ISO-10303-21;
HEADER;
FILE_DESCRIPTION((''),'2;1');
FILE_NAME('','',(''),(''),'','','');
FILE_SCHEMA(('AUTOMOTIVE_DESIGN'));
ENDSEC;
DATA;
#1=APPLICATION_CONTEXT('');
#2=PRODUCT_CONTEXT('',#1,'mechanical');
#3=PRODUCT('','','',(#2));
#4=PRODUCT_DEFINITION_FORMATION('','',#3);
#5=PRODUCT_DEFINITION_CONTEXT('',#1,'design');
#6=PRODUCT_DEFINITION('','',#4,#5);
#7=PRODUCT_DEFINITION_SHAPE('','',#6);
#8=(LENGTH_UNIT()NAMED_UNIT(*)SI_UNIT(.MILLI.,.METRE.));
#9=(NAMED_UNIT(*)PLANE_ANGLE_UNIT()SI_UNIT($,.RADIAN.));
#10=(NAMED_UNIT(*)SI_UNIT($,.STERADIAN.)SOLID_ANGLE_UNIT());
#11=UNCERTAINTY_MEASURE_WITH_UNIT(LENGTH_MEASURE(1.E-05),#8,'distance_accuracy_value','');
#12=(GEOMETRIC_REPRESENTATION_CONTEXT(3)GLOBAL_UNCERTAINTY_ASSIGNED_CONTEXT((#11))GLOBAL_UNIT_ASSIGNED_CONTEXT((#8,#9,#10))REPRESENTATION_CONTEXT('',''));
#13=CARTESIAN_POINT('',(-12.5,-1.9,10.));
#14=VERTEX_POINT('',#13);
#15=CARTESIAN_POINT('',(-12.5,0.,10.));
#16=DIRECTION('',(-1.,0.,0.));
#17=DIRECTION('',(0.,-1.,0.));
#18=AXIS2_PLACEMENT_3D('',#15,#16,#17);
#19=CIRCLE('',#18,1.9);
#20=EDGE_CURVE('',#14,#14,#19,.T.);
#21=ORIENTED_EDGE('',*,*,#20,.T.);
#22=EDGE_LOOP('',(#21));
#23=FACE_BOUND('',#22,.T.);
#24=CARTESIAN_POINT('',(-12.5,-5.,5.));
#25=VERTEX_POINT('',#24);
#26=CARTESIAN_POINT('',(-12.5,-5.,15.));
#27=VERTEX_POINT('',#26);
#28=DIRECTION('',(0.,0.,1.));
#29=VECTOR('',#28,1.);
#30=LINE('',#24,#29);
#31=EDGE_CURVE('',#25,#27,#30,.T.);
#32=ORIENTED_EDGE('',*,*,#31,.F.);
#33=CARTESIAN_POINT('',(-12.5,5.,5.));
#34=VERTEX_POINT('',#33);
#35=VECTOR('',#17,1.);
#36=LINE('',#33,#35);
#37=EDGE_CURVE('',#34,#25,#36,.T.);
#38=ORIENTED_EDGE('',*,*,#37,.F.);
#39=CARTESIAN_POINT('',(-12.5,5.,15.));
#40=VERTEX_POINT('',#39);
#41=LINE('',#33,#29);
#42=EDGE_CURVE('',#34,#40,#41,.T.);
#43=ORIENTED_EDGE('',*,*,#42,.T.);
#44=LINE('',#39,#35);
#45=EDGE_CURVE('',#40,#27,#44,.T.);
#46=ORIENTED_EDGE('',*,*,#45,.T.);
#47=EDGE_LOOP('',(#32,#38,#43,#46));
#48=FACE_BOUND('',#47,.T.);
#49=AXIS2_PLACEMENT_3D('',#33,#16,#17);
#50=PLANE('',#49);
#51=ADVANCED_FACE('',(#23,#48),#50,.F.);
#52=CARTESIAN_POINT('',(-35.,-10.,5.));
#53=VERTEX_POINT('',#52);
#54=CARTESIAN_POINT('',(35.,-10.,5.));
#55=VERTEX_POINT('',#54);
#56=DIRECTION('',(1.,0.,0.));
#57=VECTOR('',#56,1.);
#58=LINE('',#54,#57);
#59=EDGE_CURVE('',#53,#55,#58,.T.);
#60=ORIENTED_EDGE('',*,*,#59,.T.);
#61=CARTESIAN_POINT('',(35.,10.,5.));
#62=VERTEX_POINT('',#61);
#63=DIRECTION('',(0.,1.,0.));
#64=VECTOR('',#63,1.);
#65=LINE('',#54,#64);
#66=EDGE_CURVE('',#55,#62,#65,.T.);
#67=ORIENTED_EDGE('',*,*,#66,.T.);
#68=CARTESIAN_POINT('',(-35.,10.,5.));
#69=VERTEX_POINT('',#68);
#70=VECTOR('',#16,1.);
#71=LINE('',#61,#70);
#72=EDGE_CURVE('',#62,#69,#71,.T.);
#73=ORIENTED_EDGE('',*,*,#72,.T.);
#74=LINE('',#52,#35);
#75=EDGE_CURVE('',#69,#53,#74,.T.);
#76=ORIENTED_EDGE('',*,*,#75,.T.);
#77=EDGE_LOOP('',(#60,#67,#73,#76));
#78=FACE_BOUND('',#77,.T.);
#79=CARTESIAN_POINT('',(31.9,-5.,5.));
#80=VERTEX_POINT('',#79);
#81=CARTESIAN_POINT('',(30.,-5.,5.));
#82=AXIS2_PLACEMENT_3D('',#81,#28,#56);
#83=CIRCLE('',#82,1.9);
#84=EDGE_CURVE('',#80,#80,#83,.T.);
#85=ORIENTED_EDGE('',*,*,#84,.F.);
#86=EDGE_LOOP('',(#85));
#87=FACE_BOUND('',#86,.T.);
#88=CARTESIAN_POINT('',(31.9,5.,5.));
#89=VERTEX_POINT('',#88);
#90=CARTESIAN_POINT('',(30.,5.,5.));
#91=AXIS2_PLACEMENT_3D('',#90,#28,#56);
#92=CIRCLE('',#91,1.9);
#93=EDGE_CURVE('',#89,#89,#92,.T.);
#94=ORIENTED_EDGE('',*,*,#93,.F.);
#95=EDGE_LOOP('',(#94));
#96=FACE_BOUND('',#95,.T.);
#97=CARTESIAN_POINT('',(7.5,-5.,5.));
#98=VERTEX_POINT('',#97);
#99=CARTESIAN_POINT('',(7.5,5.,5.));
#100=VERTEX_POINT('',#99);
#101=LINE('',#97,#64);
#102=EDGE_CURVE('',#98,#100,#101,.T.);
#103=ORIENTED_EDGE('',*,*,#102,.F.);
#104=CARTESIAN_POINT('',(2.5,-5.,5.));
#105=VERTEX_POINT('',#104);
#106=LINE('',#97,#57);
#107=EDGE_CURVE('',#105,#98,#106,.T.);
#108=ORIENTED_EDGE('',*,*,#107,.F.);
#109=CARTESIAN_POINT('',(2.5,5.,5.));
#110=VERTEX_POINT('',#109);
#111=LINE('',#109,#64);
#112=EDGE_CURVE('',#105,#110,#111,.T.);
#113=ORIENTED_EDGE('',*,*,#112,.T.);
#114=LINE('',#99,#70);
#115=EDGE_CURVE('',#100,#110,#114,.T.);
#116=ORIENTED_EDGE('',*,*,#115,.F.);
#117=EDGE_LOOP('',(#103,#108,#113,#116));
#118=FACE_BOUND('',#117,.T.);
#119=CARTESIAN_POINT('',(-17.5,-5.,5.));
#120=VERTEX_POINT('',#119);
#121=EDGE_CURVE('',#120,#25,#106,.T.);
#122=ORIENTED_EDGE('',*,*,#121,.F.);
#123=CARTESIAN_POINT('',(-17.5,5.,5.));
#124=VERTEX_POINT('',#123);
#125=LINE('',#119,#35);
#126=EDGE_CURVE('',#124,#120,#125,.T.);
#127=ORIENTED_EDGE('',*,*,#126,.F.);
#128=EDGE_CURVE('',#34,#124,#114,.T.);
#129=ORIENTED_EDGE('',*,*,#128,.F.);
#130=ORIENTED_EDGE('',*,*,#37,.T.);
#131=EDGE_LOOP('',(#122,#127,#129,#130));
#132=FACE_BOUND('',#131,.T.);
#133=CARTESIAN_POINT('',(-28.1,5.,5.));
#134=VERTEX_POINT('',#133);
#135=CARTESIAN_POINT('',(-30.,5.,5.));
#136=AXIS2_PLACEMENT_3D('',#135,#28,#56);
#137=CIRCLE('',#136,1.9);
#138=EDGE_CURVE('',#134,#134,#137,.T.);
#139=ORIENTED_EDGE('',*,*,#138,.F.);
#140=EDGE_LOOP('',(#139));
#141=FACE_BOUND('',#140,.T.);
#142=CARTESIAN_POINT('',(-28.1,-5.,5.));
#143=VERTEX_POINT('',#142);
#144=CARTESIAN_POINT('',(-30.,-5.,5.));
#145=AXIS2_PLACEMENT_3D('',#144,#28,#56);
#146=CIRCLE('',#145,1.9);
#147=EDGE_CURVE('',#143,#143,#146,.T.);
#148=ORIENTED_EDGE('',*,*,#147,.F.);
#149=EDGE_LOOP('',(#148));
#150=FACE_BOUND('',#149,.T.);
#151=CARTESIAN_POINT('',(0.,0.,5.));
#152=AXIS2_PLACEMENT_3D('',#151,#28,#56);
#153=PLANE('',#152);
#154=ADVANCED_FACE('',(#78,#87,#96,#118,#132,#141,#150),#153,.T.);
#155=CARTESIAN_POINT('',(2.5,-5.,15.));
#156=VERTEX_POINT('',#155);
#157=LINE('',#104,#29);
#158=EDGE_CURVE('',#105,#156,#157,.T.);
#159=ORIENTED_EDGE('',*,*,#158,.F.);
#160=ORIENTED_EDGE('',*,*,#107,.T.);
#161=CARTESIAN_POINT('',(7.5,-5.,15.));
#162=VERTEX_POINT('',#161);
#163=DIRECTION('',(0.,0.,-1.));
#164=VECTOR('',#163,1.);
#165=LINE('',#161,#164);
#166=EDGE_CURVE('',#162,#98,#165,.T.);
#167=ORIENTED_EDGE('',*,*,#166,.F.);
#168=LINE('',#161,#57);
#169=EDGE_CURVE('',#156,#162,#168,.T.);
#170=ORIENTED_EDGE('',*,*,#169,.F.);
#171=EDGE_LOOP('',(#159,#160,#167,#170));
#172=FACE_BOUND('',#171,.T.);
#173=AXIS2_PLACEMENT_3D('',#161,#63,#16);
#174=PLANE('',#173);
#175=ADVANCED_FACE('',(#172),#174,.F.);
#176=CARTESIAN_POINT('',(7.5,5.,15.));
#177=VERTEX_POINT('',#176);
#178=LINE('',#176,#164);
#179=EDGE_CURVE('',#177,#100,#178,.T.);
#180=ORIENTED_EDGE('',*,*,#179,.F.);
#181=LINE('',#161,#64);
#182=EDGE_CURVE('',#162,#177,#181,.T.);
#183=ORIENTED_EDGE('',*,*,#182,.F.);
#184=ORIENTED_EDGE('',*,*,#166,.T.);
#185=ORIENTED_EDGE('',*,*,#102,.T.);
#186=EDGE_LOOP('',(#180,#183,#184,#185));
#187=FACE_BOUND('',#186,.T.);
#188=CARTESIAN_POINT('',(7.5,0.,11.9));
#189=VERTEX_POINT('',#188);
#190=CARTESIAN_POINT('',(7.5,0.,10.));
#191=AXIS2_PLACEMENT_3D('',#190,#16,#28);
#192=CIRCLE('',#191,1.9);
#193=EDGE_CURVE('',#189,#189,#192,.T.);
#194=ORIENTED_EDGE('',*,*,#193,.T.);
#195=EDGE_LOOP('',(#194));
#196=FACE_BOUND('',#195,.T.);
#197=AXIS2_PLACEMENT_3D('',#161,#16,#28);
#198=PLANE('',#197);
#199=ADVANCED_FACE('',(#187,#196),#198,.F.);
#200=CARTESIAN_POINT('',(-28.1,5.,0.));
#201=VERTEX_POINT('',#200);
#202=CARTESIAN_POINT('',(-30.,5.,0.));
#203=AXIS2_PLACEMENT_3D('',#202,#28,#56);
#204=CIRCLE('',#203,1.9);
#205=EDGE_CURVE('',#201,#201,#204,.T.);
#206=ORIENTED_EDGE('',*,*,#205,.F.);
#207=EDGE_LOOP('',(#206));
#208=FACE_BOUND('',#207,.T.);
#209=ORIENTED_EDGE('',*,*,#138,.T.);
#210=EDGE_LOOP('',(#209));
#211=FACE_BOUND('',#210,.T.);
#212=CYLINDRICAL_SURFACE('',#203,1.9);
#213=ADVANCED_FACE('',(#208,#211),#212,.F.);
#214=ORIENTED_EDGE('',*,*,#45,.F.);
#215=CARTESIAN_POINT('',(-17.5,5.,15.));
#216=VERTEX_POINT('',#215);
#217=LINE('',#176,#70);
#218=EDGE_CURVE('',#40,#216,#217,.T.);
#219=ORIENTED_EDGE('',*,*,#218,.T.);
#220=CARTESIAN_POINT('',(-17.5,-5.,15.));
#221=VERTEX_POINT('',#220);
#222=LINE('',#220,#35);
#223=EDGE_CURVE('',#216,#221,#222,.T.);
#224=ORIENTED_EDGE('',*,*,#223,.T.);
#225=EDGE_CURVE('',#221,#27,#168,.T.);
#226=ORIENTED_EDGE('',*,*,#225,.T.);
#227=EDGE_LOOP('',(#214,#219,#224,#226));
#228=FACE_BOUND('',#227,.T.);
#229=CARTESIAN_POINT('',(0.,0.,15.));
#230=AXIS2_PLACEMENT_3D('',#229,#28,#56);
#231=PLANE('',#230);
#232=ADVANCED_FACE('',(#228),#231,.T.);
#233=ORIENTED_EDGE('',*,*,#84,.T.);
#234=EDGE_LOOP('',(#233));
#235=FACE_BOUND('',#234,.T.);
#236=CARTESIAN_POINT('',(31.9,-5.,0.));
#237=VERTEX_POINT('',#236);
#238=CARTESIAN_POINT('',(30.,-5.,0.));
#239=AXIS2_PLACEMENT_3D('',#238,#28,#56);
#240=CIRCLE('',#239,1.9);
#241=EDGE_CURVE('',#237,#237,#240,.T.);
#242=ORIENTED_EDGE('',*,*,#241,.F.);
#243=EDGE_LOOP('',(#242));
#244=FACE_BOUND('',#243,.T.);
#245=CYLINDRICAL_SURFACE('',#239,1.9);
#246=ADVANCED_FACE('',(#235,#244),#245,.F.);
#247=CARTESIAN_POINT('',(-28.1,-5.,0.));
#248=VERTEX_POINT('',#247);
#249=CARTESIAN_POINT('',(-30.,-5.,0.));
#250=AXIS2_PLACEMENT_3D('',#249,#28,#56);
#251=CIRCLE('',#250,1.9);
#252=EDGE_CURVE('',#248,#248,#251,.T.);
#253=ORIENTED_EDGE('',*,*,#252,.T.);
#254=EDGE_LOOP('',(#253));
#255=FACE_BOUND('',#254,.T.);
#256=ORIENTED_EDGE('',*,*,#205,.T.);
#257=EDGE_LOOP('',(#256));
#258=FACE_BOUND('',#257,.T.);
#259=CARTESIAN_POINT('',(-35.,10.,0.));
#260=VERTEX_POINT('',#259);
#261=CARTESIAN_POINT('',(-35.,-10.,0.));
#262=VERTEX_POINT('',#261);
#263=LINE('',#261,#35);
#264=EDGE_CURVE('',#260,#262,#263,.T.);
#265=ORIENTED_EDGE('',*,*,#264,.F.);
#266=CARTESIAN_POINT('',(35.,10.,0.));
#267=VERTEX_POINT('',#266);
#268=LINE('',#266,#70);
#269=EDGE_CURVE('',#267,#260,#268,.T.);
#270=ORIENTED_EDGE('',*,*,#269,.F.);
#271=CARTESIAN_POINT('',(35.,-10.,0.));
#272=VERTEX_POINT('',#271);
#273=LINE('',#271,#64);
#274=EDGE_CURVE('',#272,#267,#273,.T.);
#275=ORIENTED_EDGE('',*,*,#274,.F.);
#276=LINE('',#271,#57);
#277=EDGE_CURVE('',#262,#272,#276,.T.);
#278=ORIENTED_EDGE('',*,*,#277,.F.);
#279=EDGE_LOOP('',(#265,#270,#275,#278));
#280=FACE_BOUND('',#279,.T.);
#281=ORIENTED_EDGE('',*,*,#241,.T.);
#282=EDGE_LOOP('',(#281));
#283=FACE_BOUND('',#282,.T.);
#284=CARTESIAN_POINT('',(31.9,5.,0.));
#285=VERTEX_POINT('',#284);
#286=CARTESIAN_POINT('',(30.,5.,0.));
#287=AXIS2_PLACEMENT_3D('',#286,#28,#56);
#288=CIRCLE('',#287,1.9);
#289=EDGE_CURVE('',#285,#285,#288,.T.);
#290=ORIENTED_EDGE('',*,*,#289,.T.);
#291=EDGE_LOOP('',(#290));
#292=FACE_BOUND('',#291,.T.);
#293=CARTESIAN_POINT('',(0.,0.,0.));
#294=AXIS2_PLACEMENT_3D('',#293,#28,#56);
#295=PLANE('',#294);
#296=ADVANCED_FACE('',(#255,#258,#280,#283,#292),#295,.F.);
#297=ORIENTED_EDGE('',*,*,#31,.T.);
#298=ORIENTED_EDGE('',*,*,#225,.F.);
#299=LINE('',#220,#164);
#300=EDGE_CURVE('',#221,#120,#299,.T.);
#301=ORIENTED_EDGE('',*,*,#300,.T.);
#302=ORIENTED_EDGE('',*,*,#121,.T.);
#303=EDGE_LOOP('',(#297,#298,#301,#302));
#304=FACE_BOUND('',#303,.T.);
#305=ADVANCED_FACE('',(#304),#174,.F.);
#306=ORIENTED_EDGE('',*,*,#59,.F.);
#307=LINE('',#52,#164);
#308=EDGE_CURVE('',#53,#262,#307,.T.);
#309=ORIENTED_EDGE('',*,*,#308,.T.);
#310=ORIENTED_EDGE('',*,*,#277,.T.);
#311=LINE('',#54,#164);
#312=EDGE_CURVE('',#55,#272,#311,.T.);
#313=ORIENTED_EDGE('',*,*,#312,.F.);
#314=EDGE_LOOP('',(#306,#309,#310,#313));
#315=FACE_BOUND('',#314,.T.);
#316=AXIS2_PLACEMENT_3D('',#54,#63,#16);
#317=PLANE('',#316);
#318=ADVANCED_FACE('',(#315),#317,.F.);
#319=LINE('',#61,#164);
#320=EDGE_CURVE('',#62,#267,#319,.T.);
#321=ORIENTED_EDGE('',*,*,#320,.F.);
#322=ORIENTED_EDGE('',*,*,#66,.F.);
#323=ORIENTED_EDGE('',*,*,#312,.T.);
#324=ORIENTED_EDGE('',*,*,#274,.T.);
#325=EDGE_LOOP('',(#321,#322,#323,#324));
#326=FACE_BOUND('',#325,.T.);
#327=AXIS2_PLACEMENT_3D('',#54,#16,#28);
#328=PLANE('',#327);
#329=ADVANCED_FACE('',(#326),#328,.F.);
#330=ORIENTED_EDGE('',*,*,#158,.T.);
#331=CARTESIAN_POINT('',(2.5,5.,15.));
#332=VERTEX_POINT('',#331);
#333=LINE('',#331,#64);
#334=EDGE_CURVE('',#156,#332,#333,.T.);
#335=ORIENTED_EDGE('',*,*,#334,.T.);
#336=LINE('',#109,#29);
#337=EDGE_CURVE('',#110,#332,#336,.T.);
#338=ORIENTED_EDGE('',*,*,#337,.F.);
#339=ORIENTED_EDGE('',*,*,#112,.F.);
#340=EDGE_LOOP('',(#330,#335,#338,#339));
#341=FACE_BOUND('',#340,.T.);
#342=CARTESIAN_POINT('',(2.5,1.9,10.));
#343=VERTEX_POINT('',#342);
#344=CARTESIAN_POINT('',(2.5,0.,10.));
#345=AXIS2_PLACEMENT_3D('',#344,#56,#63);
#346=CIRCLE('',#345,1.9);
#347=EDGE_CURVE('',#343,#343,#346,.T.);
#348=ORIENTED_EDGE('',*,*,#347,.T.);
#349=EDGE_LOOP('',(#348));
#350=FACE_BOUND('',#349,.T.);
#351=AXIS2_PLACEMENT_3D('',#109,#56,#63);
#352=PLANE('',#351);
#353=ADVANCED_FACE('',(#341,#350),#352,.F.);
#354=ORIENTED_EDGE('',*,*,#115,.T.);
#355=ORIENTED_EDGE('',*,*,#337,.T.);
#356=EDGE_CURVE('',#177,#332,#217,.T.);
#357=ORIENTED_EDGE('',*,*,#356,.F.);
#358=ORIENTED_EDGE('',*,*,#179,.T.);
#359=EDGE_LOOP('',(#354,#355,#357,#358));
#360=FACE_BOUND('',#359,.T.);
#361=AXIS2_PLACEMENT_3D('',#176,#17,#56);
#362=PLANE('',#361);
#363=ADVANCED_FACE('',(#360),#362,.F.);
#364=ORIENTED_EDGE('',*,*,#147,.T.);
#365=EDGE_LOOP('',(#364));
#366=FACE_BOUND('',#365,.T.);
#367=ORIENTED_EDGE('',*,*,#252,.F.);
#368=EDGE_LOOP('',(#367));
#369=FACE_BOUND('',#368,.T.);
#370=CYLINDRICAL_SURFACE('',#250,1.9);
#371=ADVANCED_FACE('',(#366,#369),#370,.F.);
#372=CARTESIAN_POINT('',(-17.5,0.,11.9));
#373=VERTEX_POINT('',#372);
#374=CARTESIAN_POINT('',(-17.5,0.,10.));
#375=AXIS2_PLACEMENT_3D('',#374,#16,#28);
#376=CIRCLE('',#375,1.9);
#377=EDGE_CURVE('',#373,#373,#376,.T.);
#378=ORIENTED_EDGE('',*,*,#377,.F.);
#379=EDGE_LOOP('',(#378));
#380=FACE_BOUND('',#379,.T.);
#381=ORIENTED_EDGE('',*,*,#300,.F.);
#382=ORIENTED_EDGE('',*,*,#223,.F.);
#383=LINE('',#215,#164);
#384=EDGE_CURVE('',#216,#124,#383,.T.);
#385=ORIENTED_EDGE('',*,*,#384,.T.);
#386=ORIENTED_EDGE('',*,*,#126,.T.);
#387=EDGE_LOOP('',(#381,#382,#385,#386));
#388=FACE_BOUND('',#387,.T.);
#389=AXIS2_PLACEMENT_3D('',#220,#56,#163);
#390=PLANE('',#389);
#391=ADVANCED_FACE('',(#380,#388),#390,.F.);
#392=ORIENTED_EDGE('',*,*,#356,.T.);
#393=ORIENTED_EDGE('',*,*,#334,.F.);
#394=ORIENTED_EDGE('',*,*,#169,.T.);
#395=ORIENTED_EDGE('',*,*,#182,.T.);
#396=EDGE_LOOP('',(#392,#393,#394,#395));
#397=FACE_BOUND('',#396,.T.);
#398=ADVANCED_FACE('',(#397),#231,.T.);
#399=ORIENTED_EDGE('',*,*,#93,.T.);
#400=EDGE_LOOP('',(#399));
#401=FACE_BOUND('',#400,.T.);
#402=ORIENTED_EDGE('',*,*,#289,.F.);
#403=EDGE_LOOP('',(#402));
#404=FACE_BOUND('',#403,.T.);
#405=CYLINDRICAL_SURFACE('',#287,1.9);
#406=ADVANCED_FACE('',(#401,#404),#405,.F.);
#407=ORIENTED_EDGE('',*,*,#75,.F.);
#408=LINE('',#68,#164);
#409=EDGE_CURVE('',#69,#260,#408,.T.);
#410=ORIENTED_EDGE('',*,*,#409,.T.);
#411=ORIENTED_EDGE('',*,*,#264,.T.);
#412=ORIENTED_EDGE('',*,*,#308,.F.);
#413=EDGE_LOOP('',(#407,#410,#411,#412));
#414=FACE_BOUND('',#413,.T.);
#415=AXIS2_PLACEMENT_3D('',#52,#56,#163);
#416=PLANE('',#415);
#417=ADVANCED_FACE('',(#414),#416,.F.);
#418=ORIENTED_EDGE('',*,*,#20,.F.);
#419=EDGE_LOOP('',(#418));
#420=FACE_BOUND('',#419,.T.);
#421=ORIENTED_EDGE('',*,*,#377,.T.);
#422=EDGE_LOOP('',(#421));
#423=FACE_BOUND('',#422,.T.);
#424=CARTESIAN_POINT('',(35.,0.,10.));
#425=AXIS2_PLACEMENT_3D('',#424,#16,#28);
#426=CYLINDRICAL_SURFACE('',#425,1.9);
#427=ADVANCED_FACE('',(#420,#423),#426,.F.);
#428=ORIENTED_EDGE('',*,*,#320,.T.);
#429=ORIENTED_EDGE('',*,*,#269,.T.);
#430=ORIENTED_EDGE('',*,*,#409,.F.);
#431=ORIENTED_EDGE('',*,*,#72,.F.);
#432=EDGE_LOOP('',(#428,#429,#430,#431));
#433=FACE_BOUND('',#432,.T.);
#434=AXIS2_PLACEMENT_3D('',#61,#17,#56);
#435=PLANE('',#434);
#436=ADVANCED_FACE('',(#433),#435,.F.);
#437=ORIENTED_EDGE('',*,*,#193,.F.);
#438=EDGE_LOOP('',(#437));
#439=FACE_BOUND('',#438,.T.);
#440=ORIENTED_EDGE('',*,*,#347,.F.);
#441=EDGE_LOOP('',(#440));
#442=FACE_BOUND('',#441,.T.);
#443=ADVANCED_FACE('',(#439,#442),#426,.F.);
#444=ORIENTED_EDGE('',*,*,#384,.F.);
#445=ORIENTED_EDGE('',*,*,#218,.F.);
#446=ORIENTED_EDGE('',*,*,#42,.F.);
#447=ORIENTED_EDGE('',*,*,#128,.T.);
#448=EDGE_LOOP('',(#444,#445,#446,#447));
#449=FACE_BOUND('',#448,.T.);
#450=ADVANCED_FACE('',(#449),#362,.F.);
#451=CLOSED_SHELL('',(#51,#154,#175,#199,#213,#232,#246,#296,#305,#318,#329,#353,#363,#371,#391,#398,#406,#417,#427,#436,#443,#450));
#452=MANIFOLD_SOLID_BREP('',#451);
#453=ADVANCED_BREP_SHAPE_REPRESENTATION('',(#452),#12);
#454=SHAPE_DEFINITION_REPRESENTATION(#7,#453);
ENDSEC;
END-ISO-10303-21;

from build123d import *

# Parameters (mm, degrees)
SKETCH_1_W          = 70
SKETCH_1_H          = 20
EXTRUDE_1_DEPTH     = 5
SKETCH_2_R          = 1.9
CUT_EXTRUDE_1_DEPTH = 5
SKETCH_3_W          = 25
SKETCH_3_H          = 10
EXTRUDE_2_DEPTH     = 10
SKETCH_4_W          = 15
SKETCH_4_H          = 10
CUT_EXTRUDE_2_DEPTH = 10
SKETCH_5_R          = 1.9
CUT_EXTRUDE_3_DEPTH = 56.509008278


with BuildPart() as part:
    # ｽｹｯﾁ1 → ﾎﾞｽ - 押し出し1 (new body)
    with BuildSketch(Plane.XY):
        Rectangle(SKETCH_1_W, SKETCH_1_H)
    extrude(amount=EXTRUDE_1_DEPTH)

    # ｽｹｯﾁ2 → ｶｯﾄ - 押し出し1 (cut)
    with BuildSketch(Plane.XY.offset(5)):
        with Locations((-30, 5)):
            Circle(SKETCH_2_R)
        with Locations((-30, -5)):
            Circle(SKETCH_2_R)
        with Locations((30, 5)):
            Circle(SKETCH_2_R)
        with Locations((30, -5)):
            Circle(SKETCH_2_R)
    extrude(amount=-CUT_EXTRUDE_1_DEPTH, mode=Mode.SUBTRACT)

    # ｽｹｯﾁ3 → ﾎﾞｽ - 押し出し2 (add)
    with BuildSketch(Plane.XY.offset(5)):
        with Locations((-5, 0)):
            Rectangle(SKETCH_3_W, SKETCH_3_H)
    extrude(amount=EXTRUDE_2_DEPTH)

    # ｽｹｯﾁ4 → ｶｯﾄ - 押し出し2 (cut)
    with BuildSketch(Plane.XY.offset(15)):
        with Locations((-5, 0)):
            Rectangle(SKETCH_4_W, SKETCH_4_H)
    extrude(amount=-CUT_EXTRUDE_2_DEPTH, mode=Mode.SUBTRACT)

    # ｽｹｯﾁ5 → ｶｯﾄ - 押し出し3 (cut, through all)
    with BuildSketch(Plane.ZY.offset(17.5)):
        with Locations((10, 0)):
            Circle(SKETCH_5_R)
    extrude(amount=-CUT_EXTRUDE_3_DEPTH, mode=Mode.SUBTRACT)


solid = part.part
